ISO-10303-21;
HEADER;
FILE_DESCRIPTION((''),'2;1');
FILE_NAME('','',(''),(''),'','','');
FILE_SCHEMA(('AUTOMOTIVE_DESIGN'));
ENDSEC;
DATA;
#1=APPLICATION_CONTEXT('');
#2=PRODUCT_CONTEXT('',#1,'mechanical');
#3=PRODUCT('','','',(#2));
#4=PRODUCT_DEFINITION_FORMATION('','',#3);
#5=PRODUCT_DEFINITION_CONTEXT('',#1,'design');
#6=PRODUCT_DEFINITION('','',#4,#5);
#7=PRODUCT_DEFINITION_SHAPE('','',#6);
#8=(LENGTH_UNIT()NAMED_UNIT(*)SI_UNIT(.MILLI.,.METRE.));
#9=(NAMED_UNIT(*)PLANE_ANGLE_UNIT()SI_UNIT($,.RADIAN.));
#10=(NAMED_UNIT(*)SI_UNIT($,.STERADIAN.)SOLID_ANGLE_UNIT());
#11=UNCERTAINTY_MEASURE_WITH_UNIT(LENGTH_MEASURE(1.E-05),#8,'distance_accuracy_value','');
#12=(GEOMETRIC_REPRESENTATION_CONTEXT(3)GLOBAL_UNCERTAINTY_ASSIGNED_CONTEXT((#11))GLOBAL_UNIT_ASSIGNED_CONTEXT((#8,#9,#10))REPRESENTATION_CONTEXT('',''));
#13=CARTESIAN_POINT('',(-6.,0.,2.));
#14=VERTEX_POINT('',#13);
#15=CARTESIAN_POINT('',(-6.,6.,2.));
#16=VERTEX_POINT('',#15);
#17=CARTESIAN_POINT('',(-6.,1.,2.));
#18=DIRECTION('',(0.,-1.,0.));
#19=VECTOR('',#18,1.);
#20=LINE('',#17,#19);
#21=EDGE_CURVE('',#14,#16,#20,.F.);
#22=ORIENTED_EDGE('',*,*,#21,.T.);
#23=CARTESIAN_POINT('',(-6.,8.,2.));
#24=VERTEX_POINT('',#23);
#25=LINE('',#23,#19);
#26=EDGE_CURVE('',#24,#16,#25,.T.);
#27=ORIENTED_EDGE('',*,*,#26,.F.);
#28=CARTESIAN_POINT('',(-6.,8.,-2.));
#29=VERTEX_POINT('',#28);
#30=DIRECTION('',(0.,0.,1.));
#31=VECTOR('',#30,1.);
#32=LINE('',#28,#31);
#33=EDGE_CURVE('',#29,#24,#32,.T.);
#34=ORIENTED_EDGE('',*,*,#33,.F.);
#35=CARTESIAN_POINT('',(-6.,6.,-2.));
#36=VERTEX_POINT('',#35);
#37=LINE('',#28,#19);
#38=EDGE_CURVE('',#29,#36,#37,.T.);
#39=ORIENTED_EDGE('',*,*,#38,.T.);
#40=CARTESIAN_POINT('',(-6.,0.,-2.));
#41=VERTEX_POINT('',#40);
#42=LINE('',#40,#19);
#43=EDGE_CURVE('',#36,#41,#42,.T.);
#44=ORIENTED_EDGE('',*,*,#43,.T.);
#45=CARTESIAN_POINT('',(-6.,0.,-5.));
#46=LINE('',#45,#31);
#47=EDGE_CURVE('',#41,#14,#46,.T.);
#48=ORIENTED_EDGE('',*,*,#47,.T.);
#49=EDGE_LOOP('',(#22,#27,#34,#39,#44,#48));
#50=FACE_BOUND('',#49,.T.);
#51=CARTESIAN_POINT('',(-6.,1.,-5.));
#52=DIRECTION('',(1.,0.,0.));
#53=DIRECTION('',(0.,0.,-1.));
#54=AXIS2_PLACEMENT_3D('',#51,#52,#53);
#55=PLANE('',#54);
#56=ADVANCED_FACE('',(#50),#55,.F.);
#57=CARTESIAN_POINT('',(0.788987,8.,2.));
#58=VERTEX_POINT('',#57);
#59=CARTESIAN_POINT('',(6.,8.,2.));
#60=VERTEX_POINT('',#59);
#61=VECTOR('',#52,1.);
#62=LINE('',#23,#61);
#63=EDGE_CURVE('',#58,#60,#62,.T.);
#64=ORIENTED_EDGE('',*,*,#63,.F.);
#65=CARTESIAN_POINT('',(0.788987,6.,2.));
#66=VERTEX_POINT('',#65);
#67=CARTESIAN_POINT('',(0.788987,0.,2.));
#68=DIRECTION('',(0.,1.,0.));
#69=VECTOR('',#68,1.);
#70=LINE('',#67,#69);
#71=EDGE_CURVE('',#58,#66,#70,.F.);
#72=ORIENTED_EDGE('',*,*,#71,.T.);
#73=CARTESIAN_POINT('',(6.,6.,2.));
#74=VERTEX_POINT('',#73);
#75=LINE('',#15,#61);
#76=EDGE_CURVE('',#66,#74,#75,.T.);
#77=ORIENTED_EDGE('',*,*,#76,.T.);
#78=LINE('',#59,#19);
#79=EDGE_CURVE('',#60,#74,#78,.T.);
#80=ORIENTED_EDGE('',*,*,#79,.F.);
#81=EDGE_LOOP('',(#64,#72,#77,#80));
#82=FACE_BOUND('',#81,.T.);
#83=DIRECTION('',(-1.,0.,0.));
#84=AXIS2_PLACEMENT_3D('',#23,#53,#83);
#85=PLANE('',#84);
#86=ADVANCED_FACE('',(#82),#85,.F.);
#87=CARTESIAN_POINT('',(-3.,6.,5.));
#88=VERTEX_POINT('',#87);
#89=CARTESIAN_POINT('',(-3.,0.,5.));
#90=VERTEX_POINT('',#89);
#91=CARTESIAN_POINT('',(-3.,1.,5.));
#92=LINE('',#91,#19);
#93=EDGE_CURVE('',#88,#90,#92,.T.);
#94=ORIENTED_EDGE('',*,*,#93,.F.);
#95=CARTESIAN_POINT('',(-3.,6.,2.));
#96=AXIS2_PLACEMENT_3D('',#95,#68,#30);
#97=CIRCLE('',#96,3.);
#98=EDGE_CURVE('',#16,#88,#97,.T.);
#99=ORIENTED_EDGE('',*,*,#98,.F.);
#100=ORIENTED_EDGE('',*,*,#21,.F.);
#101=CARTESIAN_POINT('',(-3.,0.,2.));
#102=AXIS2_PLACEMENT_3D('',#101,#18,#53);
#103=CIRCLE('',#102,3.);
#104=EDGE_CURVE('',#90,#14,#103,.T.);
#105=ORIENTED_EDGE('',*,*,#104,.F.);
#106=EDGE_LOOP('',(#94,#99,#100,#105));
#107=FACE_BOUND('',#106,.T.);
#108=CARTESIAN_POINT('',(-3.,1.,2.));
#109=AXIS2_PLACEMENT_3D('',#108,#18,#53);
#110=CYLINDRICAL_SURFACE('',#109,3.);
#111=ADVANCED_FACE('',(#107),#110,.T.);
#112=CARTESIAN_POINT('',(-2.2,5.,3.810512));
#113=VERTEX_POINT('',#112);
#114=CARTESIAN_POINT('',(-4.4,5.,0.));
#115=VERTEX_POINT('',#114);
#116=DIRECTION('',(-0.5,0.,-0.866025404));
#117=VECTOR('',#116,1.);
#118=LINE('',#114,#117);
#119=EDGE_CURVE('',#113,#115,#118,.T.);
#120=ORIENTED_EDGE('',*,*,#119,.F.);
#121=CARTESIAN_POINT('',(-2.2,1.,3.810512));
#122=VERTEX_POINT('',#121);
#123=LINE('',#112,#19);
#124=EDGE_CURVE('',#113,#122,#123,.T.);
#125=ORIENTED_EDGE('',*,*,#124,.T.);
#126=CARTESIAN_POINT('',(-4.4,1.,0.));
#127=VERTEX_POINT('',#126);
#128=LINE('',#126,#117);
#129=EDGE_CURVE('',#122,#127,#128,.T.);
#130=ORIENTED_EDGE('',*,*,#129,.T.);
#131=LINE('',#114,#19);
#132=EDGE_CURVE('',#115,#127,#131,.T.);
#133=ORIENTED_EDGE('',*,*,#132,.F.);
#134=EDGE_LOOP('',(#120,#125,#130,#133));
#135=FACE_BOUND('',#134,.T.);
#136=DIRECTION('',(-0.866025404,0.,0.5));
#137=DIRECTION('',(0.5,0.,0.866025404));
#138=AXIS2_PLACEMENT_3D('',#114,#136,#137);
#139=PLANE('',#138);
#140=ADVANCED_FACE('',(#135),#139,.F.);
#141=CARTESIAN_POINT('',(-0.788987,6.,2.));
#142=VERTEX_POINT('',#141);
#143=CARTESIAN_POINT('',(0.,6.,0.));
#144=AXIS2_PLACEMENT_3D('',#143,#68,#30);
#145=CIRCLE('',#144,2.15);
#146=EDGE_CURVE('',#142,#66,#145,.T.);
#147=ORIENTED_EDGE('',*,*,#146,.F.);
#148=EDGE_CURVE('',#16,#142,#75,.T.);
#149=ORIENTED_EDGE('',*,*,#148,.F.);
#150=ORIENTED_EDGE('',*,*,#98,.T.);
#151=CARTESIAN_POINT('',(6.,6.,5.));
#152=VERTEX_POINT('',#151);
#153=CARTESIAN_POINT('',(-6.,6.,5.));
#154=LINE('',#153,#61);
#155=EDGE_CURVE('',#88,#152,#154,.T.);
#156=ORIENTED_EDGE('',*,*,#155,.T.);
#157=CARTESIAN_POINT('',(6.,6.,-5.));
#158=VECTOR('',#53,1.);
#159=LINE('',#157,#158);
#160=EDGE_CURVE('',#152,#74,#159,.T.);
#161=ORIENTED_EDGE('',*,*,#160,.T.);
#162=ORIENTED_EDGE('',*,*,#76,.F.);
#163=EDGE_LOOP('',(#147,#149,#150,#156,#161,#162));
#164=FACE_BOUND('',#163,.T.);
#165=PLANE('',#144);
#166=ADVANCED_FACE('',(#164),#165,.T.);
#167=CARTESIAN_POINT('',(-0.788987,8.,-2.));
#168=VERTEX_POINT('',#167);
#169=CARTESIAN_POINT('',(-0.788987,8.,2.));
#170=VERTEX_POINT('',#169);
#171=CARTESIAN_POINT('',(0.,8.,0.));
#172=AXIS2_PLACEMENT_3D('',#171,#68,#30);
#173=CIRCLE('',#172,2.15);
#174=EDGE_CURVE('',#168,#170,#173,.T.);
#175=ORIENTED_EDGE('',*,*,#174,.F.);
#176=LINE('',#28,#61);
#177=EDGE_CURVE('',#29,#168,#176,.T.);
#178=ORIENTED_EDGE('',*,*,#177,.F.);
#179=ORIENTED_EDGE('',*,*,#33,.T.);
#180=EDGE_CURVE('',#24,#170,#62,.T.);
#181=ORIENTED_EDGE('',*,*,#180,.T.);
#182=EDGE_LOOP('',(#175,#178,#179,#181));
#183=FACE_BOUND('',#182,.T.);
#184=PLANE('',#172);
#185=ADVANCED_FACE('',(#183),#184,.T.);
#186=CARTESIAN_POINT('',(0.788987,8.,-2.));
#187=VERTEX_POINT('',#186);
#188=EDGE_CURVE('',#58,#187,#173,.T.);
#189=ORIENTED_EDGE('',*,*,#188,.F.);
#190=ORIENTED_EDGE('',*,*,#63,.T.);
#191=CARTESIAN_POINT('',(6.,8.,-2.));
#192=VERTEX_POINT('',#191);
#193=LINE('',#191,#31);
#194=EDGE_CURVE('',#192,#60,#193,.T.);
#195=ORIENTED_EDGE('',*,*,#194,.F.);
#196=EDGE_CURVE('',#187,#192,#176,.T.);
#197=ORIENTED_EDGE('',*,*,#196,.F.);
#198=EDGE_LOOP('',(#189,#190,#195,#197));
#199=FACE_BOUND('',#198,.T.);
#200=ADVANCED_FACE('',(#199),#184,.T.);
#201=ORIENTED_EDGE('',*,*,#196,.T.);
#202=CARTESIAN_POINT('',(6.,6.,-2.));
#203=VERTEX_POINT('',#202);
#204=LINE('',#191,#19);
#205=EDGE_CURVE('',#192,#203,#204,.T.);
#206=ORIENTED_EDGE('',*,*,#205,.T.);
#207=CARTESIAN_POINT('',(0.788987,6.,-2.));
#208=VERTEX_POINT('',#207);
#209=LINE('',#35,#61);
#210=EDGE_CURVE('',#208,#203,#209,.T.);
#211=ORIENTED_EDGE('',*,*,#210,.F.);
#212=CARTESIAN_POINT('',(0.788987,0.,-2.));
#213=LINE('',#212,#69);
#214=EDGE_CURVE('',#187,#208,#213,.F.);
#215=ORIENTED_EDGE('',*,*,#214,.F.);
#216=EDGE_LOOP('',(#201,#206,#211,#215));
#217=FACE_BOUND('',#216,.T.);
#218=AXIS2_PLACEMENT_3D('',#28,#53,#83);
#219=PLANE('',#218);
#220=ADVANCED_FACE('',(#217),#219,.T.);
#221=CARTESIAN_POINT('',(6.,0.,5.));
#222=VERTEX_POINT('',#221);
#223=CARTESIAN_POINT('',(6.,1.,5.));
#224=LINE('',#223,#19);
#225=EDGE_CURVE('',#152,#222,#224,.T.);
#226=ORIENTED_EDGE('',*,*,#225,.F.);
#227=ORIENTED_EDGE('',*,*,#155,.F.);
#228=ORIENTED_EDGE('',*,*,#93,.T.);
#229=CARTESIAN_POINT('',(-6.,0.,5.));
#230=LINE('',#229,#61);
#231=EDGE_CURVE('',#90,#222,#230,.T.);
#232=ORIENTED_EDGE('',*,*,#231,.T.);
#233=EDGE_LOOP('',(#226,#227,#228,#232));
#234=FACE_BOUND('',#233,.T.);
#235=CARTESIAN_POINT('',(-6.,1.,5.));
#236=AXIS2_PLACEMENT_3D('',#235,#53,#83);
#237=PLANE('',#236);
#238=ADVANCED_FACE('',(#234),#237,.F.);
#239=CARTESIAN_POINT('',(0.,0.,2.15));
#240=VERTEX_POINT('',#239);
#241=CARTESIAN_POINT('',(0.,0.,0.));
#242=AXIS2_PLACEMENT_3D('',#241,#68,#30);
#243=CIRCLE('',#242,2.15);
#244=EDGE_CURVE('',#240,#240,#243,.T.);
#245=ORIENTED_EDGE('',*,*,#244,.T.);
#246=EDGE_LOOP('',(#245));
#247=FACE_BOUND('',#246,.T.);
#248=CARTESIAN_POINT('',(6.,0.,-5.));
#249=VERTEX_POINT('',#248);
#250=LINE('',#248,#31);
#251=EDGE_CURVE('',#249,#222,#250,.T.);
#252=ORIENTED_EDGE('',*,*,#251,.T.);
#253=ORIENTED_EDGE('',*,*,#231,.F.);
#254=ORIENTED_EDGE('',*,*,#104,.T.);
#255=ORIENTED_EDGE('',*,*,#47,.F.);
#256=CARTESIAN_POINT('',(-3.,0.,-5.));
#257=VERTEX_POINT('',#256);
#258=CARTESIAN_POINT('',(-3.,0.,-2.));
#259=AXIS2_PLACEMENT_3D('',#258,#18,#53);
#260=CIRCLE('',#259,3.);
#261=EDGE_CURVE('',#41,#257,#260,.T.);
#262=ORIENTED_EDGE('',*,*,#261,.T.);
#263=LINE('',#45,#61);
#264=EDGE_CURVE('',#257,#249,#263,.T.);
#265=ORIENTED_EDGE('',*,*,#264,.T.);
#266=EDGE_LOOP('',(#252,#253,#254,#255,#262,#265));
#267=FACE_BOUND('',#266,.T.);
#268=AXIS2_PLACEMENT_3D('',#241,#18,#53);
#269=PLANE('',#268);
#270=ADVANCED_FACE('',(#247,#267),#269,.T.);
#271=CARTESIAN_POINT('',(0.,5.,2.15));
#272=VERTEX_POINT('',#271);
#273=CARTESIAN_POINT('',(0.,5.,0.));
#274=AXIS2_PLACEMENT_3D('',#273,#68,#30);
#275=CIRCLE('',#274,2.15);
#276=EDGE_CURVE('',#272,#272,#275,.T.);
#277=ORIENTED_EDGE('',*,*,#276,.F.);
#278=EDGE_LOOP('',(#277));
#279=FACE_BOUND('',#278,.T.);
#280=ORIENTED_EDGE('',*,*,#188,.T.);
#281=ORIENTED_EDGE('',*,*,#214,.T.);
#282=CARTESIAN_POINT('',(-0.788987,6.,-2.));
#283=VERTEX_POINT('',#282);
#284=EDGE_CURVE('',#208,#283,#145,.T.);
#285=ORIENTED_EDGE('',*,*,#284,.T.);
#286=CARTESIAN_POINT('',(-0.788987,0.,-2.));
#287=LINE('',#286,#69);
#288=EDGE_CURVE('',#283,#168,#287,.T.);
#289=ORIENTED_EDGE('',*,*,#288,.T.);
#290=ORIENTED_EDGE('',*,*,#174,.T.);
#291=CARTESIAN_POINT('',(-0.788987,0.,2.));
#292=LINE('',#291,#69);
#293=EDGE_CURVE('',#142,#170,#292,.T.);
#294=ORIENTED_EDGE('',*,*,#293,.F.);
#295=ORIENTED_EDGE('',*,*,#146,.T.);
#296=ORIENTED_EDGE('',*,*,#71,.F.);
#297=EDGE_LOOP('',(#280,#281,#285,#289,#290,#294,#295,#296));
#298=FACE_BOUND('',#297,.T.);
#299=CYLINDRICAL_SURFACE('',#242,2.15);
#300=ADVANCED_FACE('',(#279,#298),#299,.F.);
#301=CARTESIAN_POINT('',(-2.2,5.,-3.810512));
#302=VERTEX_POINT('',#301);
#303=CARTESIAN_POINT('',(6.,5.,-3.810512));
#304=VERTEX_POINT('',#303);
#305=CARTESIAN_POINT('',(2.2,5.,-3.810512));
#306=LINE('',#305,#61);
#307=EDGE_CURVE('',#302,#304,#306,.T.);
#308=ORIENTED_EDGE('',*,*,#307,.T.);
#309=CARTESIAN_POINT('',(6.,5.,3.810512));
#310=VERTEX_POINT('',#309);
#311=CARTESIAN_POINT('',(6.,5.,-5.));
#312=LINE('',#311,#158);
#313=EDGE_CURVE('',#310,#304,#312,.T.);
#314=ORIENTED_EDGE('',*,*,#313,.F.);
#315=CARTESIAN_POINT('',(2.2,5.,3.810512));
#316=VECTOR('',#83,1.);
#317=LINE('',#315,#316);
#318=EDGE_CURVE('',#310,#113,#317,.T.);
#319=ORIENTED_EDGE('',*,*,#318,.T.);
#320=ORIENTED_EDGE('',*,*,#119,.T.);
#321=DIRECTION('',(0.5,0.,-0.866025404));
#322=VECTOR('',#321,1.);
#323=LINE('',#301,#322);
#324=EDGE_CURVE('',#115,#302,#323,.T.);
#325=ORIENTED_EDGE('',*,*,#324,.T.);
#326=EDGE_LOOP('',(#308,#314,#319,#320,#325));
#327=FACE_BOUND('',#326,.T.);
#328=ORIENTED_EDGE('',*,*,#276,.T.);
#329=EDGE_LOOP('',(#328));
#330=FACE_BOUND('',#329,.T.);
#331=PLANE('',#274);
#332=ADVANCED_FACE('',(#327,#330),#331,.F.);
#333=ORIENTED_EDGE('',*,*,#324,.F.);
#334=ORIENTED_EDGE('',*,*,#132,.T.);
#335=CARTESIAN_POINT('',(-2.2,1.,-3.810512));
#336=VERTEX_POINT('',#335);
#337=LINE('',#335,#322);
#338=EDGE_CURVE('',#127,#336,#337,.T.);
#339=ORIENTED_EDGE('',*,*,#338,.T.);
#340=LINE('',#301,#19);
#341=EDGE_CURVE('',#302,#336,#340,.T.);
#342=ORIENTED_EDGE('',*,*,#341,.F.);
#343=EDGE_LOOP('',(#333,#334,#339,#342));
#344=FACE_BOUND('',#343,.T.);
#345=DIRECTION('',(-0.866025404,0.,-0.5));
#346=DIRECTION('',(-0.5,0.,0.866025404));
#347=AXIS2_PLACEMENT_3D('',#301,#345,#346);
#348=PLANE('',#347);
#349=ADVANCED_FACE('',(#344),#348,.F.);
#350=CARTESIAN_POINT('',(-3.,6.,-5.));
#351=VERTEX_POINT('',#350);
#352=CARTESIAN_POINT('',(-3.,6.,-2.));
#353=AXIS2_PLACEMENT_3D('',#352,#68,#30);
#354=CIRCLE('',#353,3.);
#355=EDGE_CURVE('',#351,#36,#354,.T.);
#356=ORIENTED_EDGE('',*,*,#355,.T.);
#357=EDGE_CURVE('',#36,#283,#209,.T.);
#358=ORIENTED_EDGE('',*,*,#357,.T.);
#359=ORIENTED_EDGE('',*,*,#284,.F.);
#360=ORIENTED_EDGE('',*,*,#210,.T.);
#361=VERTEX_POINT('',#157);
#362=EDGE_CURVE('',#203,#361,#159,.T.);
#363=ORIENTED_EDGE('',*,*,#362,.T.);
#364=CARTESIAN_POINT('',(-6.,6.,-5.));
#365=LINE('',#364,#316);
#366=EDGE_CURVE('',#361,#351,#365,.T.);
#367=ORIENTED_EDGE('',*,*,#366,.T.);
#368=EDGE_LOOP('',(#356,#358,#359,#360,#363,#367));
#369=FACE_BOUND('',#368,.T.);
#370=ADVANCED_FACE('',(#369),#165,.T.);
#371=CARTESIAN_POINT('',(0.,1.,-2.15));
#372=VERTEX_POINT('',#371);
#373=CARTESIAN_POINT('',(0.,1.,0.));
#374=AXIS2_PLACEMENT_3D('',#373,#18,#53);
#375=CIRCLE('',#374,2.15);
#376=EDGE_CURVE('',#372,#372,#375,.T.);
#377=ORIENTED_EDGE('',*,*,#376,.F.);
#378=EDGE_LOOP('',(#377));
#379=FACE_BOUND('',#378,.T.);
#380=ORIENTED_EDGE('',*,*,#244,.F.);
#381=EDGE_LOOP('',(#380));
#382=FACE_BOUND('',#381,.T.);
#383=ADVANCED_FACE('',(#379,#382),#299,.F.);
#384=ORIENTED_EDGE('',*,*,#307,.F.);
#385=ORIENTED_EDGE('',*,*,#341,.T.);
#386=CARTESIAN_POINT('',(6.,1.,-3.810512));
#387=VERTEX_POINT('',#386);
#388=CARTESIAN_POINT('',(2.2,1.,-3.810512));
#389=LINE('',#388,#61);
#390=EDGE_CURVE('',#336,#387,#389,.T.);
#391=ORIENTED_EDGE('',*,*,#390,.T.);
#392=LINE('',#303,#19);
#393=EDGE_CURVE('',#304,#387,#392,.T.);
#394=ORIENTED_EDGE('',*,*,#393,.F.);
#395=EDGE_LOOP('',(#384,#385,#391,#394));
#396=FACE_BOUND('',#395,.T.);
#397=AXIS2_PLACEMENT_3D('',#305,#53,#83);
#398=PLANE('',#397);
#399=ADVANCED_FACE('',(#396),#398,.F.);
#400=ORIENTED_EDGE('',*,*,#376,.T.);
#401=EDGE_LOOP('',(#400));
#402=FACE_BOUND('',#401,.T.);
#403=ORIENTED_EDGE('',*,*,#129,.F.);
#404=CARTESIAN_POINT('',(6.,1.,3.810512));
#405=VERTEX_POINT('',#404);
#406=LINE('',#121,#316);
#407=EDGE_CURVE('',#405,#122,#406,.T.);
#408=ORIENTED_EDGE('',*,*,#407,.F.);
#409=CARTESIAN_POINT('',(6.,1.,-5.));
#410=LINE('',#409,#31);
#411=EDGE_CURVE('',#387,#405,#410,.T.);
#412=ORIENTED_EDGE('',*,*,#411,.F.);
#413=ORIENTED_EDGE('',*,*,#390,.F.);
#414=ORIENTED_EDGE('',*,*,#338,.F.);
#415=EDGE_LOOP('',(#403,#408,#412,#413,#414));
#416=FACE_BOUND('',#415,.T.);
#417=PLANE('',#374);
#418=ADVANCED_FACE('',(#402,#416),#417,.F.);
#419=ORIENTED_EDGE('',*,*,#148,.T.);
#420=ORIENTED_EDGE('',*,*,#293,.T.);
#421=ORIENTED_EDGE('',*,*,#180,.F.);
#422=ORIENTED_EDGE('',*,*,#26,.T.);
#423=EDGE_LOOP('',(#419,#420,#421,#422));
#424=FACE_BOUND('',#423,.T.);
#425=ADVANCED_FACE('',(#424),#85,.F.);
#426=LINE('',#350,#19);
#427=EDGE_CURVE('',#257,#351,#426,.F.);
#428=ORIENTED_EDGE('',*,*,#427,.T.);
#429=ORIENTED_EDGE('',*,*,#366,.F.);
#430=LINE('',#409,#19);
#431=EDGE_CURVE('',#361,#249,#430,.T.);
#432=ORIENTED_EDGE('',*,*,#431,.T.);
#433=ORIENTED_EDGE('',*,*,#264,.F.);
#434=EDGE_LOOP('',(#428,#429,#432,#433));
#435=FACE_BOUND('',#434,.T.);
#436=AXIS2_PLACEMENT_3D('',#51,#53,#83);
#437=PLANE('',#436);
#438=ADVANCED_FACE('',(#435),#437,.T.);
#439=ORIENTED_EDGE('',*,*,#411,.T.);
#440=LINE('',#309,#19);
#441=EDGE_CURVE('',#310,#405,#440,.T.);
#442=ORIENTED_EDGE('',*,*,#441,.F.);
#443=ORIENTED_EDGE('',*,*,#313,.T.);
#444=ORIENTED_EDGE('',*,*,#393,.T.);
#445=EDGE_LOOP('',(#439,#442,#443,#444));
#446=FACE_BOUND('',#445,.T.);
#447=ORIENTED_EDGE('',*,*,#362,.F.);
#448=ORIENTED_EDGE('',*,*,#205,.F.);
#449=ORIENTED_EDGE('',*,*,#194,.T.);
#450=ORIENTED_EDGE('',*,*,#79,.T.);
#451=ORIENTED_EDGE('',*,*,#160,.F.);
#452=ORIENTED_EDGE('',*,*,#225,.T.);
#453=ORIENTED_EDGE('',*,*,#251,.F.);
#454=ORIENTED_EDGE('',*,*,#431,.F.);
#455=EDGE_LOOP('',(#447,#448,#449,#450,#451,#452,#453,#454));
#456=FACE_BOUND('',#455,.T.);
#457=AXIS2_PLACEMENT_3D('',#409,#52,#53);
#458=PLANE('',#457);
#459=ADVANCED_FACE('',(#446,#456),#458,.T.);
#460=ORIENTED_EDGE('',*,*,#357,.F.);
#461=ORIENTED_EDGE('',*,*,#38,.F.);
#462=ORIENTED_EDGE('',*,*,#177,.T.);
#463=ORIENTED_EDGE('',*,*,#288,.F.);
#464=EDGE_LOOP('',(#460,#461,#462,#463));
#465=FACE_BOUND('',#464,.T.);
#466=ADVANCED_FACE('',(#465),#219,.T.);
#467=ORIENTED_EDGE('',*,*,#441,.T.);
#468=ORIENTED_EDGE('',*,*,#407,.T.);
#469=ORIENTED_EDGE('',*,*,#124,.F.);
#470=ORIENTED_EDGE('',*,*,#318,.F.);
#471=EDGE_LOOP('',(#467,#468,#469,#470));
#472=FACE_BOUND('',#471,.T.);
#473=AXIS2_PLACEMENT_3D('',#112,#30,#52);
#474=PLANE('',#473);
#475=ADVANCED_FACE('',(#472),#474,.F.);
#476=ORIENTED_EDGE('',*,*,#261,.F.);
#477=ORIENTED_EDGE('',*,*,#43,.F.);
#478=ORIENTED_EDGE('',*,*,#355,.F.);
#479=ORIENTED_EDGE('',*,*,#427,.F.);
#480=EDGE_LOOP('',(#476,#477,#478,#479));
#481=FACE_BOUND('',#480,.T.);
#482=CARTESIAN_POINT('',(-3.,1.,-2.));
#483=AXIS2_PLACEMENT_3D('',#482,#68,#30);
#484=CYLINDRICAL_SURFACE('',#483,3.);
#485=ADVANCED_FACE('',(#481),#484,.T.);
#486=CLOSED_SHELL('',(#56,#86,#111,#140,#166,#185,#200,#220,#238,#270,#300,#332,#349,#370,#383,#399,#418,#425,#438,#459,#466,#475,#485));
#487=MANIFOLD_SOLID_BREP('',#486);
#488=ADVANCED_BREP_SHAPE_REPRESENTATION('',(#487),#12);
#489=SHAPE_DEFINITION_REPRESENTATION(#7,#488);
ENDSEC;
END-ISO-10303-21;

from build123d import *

# Parameters (mm, degrees)
SKETCH1_W               = 12
SKETCH1_H               = 10
BOSS_EXTRUDE1_DEPTH     = 1
BOSS_EXTRUDE2_DEPTH     = 4
SKETCH3_W               = 12
SKETCH3_H               = 10
BOSS_EXTRUDE3_DEPTH     = 1
SKETCH5_W               = 12
SKETCH5_H               = 4
BOSS_EXTRUDE4_DEPTH     = 2
SKETCH4_R               = 2.15
CUT_EXTRUDE1_DEPTH      = 10.848857802
CUT_EXTRUDE1_DEPTH_BACK = 10.848857802
FILLET1_R               = 3


with BuildPart() as part:
    # Sketch1 → Boss-Extrude1 (new body)
    with BuildSketch(Plane(origin=(0, 0, 0), x_dir=(1, 0, 0), z_dir=(0, 1, 0))):
        Rectangle(SKETCH1_W, SKETCH1_H)
    extrude(amount=BOSS_EXTRUDE1_DEPTH)

    # Sketch2 → Boss-Extrude2 (add)
    with BuildSketch(Plane(origin=(0, 1, 0), x_dir=(1, 0, 0), z_dir=(0, 1, 0))):
        Polygon((2.2, -3.810511777), (6, -3.810511777), (6, -5), (-6, -5), (-6, 5), (6, 5), (6, 3.810511777), (2.2, 3.810511777), (-2.2, 3.810511777), (-4.4, 0), (-2.2, -3.810511777), align=None)
    extrude(amount=BOSS_EXTRUDE2_DEPTH)

    # Sketch3 → Boss-Extrude3 (add)
    with BuildSketch(Plane(origin=(0, 5, 0), x_dir=(1, 0, 0), z_dir=(0, 1, 0))):
        Rectangle(SKETCH3_W, SKETCH3_H)
    extrude(amount=BOSS_EXTRUDE3_DEPTH)

    # Sketch5 → Boss-Extrude4 (add)
    with BuildSketch(Plane(origin=(0, 6, 0), x_dir=(1, 0, 0), z_dir=(0, 1, 0))):
        Rectangle(SKETCH5_W, SKETCH5_H)
    extrude(amount=BOSS_EXTRUDE4_DEPTH)

    # Sketch4 → Cut-Extrude1 (cut, two sides)
    with BuildSketch(Plane(origin=(0, 6, 0), x_dir=(1, 0, 0), z_dir=(0, 1, 0))) as cut_extrude1_sk:
        with Locations(Location((0, 0, 0), (0, 0, 270))):
            Circle(SKETCH4_R)
    extrude(amount=CUT_EXTRUDE1_DEPTH, mode=Mode.SUBTRACT)
    extrude(cut_extrude1_sk.sketch, amount=-CUT_EXTRUDE1_DEPTH_BACK, mode=Mode.SUBTRACT)

    # Fillet1
    fillet1_edges = [part.edges().sort_by_distance(p)[0] for p in [
        (-6, 3, 5),
        (-6, 3, -5),
    ]]
    fillet(fillet1_edges, radius=FILLET1_R)


solid = part.part
